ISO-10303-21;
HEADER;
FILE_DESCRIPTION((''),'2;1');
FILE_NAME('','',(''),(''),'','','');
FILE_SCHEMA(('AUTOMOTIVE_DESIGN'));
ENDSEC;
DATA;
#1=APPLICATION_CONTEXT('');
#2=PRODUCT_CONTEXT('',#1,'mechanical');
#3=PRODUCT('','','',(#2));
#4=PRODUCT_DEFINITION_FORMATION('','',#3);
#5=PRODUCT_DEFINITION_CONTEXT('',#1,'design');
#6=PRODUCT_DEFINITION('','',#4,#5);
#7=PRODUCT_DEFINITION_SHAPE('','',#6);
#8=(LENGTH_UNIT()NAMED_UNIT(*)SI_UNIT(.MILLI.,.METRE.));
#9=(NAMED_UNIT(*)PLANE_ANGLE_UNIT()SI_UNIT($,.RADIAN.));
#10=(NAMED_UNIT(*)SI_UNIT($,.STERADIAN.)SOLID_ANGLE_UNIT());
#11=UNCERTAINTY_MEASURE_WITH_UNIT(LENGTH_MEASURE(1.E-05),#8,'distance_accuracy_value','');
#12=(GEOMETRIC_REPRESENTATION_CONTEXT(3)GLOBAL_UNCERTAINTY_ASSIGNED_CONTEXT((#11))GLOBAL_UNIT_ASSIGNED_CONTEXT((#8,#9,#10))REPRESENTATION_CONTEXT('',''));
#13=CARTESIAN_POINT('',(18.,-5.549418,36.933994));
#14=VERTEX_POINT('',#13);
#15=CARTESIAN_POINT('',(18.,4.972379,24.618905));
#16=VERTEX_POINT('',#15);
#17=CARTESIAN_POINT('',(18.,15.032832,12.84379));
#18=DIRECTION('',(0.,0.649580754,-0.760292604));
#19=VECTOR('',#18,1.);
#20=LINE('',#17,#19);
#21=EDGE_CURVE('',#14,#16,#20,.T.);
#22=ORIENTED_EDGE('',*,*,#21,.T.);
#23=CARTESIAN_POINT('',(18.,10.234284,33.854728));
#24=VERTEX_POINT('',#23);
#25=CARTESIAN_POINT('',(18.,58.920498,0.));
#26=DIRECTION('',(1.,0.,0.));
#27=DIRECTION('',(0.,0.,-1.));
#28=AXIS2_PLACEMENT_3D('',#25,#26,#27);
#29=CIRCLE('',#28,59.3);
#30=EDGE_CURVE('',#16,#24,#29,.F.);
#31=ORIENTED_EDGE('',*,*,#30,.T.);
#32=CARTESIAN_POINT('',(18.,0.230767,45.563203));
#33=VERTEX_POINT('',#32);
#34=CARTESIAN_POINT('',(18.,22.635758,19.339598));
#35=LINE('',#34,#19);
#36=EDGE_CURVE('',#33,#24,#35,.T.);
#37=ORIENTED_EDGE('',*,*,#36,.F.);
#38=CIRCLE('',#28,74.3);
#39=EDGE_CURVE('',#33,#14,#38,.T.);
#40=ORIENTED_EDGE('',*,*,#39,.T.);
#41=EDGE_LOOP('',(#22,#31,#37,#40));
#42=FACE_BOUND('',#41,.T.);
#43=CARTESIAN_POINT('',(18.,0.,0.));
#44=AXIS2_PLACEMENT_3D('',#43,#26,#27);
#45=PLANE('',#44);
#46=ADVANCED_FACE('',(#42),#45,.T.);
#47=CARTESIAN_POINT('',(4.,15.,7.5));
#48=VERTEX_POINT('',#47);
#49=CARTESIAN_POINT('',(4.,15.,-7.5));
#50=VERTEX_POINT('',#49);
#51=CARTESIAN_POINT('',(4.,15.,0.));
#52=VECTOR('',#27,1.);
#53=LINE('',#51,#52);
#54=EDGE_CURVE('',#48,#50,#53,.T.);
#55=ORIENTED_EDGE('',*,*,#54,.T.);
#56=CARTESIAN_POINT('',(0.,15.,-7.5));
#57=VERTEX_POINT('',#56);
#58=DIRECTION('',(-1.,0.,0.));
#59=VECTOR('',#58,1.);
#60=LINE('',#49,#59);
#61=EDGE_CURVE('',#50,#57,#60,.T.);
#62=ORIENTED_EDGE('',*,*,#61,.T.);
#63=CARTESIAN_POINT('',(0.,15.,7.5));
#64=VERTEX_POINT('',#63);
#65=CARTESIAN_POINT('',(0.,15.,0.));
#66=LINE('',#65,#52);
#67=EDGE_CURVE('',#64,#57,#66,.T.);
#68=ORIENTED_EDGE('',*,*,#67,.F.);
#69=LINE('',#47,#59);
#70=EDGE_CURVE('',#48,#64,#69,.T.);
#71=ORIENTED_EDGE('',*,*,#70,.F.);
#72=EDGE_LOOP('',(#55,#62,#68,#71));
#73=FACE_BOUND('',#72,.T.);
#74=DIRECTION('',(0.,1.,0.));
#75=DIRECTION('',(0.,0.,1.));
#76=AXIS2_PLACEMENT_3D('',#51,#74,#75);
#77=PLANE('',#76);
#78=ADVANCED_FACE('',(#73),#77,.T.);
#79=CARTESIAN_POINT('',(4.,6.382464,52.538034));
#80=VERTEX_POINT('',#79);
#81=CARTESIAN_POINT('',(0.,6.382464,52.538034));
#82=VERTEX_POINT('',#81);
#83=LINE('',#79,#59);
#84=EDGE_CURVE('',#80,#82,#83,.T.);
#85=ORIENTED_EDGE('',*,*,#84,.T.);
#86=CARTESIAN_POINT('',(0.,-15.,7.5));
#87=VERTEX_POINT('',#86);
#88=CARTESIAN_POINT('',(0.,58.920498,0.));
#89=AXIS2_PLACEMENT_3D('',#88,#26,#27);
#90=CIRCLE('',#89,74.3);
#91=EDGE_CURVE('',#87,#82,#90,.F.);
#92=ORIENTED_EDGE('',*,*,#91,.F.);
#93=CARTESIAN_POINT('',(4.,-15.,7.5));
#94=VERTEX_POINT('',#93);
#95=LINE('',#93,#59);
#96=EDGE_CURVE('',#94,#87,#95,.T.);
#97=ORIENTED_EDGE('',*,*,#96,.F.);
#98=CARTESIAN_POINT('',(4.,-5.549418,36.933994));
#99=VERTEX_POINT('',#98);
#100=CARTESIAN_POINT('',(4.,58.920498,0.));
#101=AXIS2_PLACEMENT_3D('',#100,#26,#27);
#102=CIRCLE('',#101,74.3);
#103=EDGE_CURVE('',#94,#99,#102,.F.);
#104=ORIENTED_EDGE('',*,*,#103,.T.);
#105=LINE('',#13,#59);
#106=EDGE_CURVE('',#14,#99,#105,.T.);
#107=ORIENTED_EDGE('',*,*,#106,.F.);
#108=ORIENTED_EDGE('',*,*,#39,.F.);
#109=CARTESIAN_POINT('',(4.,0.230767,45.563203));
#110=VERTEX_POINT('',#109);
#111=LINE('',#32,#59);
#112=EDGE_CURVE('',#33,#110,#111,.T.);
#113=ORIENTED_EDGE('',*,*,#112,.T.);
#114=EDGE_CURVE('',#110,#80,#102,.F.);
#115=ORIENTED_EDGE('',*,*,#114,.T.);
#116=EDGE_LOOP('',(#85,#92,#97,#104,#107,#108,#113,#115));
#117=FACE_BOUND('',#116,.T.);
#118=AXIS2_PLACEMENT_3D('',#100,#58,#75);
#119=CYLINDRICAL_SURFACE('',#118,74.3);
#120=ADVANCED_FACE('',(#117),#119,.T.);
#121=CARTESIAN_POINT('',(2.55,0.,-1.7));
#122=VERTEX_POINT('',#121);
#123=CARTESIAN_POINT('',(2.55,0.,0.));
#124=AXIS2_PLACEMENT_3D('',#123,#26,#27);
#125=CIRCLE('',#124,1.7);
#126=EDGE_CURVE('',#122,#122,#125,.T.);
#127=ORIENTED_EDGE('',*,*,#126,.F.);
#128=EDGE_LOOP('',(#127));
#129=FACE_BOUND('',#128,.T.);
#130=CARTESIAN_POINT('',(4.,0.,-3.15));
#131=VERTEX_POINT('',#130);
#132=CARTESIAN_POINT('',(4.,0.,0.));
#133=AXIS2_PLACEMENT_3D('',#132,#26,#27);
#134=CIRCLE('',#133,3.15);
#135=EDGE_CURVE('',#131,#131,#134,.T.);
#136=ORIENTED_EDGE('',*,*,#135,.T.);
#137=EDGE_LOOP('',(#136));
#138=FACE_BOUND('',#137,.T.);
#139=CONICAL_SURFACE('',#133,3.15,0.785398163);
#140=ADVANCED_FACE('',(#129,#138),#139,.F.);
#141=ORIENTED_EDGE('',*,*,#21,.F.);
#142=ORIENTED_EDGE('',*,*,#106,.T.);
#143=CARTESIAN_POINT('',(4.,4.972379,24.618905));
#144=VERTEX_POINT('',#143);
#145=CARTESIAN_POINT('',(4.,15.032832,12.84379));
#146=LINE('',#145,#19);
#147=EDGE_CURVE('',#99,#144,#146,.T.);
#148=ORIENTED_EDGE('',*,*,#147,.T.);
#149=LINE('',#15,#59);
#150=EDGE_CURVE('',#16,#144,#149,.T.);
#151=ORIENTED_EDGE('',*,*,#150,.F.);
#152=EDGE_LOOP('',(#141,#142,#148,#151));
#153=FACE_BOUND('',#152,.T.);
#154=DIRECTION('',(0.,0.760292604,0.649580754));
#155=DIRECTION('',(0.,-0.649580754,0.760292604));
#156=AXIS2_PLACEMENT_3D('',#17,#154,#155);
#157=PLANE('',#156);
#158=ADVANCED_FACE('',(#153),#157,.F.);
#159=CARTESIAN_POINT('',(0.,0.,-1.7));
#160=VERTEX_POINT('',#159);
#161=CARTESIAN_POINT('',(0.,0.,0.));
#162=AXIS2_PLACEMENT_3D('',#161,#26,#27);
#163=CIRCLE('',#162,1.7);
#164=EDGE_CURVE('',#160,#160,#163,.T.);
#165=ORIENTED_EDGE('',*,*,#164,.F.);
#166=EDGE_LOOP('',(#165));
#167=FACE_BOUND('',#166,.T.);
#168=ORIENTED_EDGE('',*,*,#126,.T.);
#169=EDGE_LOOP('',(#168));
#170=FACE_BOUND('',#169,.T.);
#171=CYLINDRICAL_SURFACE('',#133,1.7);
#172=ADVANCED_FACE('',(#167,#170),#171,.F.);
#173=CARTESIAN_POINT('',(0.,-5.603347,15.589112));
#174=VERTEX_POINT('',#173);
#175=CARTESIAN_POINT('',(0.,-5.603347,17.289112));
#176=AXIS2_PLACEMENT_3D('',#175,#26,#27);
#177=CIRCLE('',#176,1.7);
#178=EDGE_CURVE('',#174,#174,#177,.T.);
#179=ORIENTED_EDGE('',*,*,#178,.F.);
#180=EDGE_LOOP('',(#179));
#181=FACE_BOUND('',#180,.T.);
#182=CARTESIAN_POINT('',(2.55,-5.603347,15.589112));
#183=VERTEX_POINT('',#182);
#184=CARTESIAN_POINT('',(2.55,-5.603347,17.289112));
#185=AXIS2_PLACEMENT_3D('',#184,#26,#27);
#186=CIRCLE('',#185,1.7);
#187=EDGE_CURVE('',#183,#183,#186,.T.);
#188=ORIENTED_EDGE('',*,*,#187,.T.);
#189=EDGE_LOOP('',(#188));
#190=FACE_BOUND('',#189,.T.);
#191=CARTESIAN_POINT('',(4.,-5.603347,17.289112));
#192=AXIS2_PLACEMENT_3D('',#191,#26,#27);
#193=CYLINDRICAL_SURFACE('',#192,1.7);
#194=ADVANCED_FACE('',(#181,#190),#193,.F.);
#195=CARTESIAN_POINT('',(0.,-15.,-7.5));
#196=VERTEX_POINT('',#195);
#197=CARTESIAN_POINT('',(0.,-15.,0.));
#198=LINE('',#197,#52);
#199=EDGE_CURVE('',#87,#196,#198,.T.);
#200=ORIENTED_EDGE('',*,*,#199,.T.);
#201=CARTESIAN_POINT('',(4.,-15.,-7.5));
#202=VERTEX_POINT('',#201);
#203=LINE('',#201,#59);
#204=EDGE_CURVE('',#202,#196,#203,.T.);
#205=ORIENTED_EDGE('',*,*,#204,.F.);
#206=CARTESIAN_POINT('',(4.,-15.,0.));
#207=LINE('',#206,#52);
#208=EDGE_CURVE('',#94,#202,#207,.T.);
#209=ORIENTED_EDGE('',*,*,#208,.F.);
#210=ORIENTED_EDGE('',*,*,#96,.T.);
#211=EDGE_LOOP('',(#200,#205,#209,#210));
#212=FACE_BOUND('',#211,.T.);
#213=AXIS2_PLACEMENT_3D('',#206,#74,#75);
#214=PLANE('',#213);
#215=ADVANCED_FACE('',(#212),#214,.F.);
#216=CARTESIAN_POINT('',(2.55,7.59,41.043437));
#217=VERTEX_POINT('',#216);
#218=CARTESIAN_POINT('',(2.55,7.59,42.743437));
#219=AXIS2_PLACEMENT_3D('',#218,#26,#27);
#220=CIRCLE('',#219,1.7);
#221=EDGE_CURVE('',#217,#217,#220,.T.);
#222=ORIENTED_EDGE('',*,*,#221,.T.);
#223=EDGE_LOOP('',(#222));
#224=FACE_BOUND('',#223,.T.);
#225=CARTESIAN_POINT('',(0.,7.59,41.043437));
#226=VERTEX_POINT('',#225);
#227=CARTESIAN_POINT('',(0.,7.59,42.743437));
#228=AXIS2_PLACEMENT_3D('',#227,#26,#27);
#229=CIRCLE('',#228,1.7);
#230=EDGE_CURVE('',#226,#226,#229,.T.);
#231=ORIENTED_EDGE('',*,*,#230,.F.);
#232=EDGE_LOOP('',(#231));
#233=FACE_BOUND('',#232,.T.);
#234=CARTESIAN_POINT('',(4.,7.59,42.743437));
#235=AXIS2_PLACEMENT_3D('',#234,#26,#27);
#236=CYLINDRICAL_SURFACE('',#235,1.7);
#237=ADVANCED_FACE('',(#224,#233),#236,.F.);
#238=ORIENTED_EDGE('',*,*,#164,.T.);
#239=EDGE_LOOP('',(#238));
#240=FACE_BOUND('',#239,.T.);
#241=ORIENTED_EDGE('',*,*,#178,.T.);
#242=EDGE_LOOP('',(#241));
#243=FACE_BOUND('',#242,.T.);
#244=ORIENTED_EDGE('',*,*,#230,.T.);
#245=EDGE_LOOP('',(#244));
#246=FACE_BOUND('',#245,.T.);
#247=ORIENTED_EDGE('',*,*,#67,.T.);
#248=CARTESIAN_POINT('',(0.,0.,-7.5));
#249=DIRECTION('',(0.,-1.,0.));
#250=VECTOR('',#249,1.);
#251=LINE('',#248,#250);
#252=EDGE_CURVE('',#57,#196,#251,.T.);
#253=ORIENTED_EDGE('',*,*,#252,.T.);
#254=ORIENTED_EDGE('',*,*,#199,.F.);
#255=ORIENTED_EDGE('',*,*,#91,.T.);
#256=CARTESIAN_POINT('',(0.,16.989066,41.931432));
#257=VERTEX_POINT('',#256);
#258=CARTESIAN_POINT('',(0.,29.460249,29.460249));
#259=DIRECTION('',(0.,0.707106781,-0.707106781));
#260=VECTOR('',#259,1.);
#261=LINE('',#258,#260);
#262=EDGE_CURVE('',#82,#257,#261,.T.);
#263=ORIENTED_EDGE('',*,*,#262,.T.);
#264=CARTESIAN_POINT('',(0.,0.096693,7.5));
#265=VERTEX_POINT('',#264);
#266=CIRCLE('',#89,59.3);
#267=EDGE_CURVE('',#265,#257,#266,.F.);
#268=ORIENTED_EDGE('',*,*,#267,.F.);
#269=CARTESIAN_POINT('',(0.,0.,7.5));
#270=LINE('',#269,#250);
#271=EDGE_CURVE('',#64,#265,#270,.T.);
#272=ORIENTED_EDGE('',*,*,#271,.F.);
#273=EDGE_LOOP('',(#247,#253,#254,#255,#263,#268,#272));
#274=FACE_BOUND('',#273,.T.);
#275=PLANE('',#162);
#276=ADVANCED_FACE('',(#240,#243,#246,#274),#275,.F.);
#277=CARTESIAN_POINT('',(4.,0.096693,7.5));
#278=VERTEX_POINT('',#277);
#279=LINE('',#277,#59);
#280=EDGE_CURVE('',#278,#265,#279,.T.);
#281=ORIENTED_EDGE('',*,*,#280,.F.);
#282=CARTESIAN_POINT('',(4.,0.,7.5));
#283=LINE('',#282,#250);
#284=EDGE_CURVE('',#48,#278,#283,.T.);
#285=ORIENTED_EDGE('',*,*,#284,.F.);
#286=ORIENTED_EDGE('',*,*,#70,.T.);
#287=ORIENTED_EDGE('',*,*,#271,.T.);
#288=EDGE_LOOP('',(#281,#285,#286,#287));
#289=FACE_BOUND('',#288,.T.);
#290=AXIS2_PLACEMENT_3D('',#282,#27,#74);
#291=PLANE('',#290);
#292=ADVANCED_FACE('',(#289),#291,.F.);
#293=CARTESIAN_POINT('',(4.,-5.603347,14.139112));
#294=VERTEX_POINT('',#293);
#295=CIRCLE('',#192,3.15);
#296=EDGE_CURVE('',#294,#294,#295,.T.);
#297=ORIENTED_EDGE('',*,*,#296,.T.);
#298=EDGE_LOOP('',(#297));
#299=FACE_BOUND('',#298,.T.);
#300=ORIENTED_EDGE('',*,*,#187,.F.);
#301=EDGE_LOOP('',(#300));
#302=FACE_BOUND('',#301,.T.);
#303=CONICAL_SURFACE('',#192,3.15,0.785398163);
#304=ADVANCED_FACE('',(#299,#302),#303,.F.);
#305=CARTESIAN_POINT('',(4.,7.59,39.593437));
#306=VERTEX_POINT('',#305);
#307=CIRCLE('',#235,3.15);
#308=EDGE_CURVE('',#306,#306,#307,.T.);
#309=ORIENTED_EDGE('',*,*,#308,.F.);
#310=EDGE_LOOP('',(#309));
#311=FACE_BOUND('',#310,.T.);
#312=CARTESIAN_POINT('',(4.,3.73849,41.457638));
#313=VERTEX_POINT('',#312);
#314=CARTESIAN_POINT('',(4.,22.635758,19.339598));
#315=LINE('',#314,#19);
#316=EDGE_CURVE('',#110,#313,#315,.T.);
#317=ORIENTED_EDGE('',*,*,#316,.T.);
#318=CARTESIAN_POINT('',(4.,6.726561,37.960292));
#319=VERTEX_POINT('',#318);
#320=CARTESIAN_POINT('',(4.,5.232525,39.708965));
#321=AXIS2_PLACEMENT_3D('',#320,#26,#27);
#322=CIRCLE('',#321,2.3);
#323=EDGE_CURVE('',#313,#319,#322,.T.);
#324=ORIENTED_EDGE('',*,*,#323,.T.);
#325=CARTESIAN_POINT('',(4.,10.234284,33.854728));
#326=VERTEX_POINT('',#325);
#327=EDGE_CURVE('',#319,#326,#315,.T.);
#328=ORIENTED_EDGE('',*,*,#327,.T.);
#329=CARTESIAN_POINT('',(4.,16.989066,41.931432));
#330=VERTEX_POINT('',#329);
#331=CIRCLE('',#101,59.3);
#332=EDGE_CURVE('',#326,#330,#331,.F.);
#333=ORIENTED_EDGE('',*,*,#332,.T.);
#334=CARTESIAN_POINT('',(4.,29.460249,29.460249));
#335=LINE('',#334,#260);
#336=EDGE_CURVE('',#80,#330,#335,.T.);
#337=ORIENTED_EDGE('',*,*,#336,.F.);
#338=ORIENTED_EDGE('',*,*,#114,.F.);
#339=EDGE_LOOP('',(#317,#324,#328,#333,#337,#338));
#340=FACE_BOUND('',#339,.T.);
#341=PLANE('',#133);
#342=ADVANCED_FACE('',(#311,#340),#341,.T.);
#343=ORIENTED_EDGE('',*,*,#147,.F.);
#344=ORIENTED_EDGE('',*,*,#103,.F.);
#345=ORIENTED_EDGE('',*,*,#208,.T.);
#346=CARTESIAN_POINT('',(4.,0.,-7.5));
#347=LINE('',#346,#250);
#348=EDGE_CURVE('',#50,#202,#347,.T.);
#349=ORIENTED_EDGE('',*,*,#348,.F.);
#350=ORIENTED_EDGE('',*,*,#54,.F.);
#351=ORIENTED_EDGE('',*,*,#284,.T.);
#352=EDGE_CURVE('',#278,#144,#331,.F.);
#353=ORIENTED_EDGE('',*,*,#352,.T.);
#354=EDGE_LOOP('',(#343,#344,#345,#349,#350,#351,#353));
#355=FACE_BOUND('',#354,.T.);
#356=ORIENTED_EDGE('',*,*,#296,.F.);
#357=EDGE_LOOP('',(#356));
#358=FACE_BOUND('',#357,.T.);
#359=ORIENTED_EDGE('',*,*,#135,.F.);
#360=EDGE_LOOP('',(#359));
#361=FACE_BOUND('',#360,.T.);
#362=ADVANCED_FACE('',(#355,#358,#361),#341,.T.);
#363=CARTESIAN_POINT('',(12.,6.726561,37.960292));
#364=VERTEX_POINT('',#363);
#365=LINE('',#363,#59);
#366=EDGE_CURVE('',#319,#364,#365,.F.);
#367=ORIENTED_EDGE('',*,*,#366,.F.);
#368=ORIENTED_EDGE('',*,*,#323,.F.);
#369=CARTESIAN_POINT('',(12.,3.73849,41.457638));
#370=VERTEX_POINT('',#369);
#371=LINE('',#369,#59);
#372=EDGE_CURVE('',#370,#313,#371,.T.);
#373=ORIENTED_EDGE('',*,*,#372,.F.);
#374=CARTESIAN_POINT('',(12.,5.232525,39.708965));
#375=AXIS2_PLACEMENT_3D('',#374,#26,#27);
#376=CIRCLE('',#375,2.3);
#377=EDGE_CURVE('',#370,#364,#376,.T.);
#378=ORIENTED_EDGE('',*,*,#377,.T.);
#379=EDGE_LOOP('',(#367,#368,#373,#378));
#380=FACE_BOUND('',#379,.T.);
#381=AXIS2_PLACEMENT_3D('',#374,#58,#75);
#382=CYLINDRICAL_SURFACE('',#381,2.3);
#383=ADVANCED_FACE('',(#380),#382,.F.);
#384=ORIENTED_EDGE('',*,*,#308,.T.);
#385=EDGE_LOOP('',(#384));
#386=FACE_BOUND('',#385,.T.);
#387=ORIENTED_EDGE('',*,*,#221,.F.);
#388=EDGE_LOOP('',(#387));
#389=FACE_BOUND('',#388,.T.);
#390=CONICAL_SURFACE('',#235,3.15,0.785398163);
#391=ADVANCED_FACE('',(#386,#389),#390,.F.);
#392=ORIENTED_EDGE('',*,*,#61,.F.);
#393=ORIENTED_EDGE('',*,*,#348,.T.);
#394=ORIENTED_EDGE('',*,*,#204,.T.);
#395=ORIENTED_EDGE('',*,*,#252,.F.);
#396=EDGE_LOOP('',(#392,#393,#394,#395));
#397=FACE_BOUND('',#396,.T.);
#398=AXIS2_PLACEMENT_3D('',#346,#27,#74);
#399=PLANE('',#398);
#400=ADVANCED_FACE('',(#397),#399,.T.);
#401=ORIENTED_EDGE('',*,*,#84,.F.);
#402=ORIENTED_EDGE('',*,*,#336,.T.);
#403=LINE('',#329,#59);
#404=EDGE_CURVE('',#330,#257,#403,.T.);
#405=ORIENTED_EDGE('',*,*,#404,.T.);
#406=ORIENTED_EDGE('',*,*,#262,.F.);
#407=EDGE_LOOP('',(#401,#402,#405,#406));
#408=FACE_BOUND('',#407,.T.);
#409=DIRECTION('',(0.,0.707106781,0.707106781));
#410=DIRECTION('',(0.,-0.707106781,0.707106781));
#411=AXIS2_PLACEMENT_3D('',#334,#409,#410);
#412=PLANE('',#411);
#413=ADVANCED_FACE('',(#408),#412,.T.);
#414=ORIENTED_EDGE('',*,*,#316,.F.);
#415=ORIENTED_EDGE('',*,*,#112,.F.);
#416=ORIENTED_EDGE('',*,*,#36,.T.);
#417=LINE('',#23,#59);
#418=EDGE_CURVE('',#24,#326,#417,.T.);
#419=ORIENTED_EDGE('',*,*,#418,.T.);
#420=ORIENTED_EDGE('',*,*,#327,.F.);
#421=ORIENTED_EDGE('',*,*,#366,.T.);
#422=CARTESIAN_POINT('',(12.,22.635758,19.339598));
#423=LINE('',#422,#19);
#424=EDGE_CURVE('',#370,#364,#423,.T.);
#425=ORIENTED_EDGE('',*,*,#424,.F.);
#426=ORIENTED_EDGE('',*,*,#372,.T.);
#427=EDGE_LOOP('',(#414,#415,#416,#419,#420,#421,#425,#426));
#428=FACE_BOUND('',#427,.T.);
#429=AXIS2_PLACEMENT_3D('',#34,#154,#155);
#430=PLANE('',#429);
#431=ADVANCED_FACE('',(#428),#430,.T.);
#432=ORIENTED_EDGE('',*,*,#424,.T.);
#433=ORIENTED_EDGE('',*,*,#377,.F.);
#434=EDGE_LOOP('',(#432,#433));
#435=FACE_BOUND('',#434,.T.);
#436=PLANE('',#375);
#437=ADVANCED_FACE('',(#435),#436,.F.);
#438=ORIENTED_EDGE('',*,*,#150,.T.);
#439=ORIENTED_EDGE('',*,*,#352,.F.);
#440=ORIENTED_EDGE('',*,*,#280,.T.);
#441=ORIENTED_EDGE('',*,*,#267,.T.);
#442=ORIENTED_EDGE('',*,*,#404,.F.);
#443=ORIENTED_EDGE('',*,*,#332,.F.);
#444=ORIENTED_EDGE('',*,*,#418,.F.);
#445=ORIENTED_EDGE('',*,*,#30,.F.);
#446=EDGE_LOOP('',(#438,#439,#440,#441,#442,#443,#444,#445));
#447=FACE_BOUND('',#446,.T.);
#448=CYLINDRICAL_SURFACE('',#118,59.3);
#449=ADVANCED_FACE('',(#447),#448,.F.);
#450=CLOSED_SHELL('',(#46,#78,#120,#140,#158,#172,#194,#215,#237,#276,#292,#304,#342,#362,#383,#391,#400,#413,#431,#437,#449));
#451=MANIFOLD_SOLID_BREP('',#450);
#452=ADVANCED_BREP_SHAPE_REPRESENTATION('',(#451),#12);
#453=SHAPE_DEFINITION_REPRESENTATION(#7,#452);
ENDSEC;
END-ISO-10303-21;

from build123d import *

# Parameters (mm, degrees)
SKETCH1_W                                       = 15
SKETCH1_H                                       = 30
BOSS_EXTRUDE1_DEPTH                             = 4
BOSS_EXTRUDE2_DEPTH                             = 14
SKETCH3_R                                       = 2.3
CUT_EXTRUDE1_DEPTH                              = 8
CSK_FOR_M3_FLAT_HEAD_MACHINE_SCREW1_D           = 3.4
CSK_FOR_M3_FLAT_HEAD_MACHINE_SCREW1_DEPTH       = 6.35
CSK_FOR_M3_FLAT_HEAD_MACHINE_SCREW1_CSINK_D     = 6.3
CSK_FOR_M3_FLAT_HEAD_MACHINE_SCREW1_CSINK_ANGLE = 90
CSK_FOR_M3_FLAT_HEAD_MACHINE_SCREW1_TIP         = 1.021463052


with BuildPart() as part:
    # Sketch1 → Boss-Extrude1 (new body)
    with BuildSketch(Plane(origin=(0, 0, 0), x_dir=(0, 0, -1), z_dir=(1, 0, 0))):
        with BuildLine():
            Line((-33.857008974, 10.235870452), (-45.565370995, 0.232449935))
            ThreePointArc((-45.565370995, 0.232449935), (-27.604171468, -10.061381798), (-7.5, -15))
            Line((-7.5, -15), (-7.5, 0.096693129))
            ThreePointArc((-7.5, 0.096693129), (-21.290873092, 3.574416464), (-33.857008974, 10.235870452))
        make_face()
        Rectangle(SKETCH1_W, SKETCH1_H)
        with BuildLine():
            Line((-41.931432124, 16.989065709), (-52.538033842, 6.382463992))
            ThreePointArc((-52.538033842, 6.382463992), (-49.147992618, 3.198286628), (-45.565370995, 0.232449935))
            Line((-45.565370995, 0.232449935), (-33.857008974, 10.235870452))
            ThreePointArc((-33.857008974, 10.235870452), (-38.044360457, 13.432954073), (-41.931432124, 16.989065709))
        make_face()
    extrude(amount=BOSS_EXTRUDE1_DEPTH)

    # Sketch2 → Boss-Extrude2 (add)
    with BuildSketch(Plane(origin=(4, 0, 0), x_dir=(0, 0, -1), z_dir=(1, 0, 0))):
        with BuildLine():
            Line((-33.854727787, 10.234284113), (-45.563203072, 0.230766826))
            ThreePointArc((-45.563203072, 0.230766826), (-41.349722145, -2.810292527), (-36.933994133, -5.549418231))
            Line((-36.933994133, -5.549418231), (-24.61890521, 4.97237918))
            ThreePointArc((-24.61890521, 4.97237918), (-29.354954434, 7.395973089), (-33.854727787, 10.234284113))
        make_face()
    extrude(amount=BOSS_EXTRUDE2_DEPTH)

    # Sketch3 → Cut-Extrude1 (cut)
    with BuildSketch(Plane(origin=(4, 0, 0), x_dir=(0, 0, -1), z_dir=(1, 0, 0))):
        with Locations((-39.70896543, 5.232525469)):
            Circle(SKETCH3_R)
    extrude(amount=CUT_EXTRUDE1_DEPTH, mode=Mode.SUBTRACT)

    # CSK for M3 Flat Head Machine Screw1
    with Locations(Plane(origin=(4, 0, 0), x_dir=(0, 0, -1), z_dir=(1, 0, 0))):
        with Locations((-42.74343682, 7.59), (-17.289112213, -5.603347362), (0, 0)):
            CounterSinkHole(CSK_FOR_M3_FLAT_HEAD_MACHINE_SCREW1_D / 2, CSK_FOR_M3_FLAT_HEAD_MACHINE_SCREW1_CSINK_D / 2, depth=CSK_FOR_M3_FLAT_HEAD_MACHINE_SCREW1_DEPTH, counter_sink_angle=CSK_FOR_M3_FLAT_HEAD_MACHINE_SCREW1_CSINK_ANGLE)
            with Locations((0, 0, -(CSK_FOR_M3_FLAT_HEAD_MACHINE_SCREW1_DEPTH + CSK_FOR_M3_FLAT_HEAD_MACHINE_SCREW1_TIP / 2))):  # 118° drill point
                Cone(0, CSK_FOR_M3_FLAT_HEAD_MACHINE_SCREW1_D / 2, CSK_FOR_M3_FLAT_HEAD_MACHINE_SCREW1_TIP, mode=Mode.SUBTRACT)


solid = part.part
